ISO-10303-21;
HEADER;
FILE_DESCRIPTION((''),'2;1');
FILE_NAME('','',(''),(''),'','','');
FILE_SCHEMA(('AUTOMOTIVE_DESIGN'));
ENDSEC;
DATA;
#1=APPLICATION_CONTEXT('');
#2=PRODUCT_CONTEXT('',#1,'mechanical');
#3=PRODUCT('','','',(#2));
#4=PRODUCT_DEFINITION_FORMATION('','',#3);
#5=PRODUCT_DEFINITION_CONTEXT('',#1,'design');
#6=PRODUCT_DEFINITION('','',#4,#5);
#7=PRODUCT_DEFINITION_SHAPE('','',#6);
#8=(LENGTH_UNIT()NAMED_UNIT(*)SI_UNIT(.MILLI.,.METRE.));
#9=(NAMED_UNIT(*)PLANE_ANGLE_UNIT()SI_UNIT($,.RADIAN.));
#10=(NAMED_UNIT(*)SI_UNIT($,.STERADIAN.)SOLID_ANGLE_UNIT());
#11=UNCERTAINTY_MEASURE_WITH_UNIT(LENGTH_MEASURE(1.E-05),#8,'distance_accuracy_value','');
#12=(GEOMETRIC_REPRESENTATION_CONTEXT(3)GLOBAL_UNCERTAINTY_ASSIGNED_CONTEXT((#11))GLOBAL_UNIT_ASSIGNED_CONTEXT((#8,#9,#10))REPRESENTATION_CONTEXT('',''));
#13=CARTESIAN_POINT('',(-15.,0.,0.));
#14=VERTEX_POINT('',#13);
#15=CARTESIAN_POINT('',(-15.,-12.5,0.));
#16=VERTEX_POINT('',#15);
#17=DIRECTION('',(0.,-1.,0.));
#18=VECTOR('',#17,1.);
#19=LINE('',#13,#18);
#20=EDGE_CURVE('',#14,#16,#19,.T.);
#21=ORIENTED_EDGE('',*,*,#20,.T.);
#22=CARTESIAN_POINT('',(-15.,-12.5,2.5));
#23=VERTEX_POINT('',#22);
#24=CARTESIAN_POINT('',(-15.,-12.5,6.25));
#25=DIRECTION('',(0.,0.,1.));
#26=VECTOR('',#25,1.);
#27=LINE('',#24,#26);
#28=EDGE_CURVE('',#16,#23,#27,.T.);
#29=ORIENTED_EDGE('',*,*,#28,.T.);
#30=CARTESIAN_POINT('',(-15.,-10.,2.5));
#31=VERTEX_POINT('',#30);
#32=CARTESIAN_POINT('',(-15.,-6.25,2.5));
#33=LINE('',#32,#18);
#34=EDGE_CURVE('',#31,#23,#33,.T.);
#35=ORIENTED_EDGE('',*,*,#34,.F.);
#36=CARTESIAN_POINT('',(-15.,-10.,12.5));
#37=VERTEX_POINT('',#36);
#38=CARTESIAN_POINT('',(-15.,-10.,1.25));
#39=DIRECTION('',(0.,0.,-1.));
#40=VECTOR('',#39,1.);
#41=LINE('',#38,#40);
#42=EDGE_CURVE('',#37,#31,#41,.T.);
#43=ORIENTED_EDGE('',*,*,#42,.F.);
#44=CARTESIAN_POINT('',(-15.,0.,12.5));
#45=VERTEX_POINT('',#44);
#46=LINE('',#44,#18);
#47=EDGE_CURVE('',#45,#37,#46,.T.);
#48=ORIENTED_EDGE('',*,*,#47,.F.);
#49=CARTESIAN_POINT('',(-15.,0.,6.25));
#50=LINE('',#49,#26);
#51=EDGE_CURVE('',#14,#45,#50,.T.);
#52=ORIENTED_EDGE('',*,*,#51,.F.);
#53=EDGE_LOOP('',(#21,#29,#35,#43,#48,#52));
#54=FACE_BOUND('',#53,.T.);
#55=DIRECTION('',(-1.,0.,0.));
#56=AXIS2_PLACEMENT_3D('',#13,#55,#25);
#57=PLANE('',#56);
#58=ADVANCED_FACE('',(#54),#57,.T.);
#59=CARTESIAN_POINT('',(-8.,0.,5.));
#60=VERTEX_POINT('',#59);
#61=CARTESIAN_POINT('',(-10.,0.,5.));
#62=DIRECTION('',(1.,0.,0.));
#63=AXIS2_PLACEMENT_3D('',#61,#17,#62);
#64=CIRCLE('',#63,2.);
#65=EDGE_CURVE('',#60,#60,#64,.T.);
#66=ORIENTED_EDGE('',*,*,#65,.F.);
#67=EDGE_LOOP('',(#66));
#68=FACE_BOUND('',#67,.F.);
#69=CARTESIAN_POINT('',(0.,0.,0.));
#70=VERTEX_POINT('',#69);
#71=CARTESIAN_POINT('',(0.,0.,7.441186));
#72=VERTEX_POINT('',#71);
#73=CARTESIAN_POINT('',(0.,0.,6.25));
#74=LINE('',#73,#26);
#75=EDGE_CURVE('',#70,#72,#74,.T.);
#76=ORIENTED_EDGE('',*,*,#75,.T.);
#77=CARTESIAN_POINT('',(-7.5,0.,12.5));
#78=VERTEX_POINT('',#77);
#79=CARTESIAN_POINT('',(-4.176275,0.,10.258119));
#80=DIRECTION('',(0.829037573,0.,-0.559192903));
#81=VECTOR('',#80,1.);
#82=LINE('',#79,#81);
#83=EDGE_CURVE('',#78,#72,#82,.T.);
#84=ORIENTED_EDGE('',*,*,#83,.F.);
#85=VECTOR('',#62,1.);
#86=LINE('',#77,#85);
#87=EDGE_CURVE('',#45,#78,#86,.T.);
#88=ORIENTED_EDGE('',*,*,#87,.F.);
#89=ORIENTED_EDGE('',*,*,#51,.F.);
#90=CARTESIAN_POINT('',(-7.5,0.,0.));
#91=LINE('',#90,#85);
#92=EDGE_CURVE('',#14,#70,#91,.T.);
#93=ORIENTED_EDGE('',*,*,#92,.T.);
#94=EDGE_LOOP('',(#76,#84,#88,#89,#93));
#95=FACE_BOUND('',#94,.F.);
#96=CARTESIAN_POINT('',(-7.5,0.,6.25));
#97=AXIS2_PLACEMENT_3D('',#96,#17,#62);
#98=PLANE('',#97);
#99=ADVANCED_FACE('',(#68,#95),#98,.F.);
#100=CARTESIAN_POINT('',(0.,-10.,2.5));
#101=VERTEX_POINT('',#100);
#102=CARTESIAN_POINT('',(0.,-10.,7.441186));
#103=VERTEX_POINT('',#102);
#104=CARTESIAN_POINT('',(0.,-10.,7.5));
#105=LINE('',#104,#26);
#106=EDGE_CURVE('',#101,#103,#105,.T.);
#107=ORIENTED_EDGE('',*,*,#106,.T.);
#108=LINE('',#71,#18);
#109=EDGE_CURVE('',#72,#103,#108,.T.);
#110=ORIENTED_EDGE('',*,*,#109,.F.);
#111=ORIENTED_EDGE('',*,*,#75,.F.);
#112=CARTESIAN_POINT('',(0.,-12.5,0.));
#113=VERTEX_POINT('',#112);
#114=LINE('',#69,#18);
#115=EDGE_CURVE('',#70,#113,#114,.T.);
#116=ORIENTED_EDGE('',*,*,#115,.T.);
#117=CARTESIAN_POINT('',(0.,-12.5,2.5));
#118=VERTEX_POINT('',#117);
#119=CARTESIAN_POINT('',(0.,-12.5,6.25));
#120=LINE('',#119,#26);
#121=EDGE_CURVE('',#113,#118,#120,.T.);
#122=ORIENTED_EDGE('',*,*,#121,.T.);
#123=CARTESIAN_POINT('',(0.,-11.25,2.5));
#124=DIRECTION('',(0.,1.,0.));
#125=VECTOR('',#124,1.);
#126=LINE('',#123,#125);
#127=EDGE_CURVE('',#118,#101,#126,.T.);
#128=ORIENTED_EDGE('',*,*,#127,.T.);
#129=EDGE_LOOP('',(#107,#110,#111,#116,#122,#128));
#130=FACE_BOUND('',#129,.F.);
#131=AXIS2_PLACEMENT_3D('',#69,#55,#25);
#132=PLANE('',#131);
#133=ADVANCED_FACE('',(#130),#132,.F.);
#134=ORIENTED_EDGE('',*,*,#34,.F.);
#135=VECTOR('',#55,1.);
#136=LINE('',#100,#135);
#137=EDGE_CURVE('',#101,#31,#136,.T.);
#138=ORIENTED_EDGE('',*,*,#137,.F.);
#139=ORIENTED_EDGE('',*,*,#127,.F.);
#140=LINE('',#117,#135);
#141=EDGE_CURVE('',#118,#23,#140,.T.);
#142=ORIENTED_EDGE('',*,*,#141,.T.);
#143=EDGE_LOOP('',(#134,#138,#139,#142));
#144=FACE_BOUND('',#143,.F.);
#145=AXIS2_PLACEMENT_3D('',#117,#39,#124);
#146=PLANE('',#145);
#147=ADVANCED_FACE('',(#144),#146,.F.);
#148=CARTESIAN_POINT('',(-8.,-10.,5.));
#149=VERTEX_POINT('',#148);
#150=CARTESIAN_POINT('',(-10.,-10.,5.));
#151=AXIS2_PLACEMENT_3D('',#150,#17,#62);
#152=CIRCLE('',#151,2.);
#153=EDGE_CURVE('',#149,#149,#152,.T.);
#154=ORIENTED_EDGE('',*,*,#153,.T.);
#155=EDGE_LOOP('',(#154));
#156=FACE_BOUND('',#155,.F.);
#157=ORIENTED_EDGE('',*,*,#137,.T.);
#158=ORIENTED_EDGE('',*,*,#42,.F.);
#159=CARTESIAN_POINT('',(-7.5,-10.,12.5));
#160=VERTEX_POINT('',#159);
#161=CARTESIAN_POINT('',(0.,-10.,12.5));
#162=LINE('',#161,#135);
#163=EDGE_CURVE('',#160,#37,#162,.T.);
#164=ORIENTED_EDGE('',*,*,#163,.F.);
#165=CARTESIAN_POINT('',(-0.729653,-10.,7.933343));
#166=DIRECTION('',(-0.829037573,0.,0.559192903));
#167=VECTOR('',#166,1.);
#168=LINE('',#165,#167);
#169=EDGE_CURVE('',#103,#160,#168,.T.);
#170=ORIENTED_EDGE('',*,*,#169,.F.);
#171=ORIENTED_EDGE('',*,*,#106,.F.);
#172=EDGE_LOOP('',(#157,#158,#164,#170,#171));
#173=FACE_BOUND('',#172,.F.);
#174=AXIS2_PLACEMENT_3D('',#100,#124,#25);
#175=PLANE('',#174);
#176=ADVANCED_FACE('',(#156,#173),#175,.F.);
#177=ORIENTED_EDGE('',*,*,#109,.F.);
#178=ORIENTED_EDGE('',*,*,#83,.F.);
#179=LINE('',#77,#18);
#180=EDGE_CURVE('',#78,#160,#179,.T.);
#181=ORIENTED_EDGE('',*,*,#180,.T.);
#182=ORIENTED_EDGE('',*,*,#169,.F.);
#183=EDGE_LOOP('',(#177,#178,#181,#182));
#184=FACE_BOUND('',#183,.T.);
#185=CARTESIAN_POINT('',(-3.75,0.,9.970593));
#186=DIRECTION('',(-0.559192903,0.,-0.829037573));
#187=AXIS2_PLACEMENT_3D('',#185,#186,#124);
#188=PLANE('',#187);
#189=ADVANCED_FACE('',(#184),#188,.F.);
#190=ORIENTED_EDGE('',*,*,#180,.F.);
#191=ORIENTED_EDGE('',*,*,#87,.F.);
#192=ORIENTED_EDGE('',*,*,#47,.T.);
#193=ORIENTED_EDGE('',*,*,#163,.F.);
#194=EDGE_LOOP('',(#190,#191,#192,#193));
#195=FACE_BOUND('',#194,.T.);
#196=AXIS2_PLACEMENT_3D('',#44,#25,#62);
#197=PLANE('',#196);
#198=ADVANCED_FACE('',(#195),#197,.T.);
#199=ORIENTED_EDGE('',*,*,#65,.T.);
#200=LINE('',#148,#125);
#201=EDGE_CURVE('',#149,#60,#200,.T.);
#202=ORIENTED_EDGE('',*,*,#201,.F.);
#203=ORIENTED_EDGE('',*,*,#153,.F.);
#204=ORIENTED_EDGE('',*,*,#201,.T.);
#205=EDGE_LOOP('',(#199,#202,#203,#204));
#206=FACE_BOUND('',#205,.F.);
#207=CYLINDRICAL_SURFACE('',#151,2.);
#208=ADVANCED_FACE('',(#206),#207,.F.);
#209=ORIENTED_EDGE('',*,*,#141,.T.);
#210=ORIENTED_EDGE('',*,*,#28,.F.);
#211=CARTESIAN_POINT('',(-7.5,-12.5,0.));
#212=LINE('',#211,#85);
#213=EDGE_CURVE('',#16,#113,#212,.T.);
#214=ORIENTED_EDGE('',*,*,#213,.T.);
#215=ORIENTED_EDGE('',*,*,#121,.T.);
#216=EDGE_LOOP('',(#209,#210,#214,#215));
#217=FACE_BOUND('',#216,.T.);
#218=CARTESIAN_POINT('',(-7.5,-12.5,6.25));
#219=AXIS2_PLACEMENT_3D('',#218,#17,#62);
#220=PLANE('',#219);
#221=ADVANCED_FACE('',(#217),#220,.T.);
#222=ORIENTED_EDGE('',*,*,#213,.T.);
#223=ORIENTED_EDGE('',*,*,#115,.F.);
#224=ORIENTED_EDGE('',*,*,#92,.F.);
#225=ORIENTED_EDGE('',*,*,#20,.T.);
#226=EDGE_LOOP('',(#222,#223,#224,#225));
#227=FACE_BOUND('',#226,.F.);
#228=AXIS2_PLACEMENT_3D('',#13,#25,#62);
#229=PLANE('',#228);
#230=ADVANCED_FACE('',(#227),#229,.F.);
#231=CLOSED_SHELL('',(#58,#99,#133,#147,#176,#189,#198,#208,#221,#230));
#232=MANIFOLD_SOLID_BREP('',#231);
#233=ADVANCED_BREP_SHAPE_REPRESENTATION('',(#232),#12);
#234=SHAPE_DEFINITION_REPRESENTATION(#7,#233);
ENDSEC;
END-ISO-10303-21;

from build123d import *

# Parameters (mm, degrees)
F0_W     = 15
F0_H     = 12.5
F1_DEPTH = 12.5
F2_SIZE2 = 5.0588138763
F2_SIZE  = 7.5
F3_W     = 2.5
F3_H     = 10
F4_DEPTH = 15.001
F5_R     = 2
F6_DEPTH = 10.001


with BuildPart() as f1:
    # F0 (on Front) → F1 (new body)
    with BuildSketch(Plane.XZ):
        with Locations((-7.5, 6.25)):
            Rectangle(F0_W, F0_H)
    extrude(amount=F1_DEPTH)

    # F2
    f2_edges = [f1.edges().sort_by_distance(p)[0] for p in [
        (0, -6.25, 12.5),
    ]]
    f2_side = f1.faces().sort_by_distance((-7.5, -6.25, 12.5))[0]
    chamfer(f2_edges, length=F2_SIZE, length2=F2_SIZE2, reference=f2_side)

    # F3 (on face) → F4 (cut, through all)
    with BuildSketch(Plane.YZ):
        with Locations((-11.25, 7.5)):
            Rectangle(F3_W, F3_H)
    extrude(amount=-F4_DEPTH, mode=Mode.SUBTRACT)

    # F5 (on face) → F6 (cut, through all)
    with BuildSketch(Plane.XZ.offset(10)):
        with Locations((-10, 5)):
            Circle(F5_R)
    extrude(amount=-F6_DEPTH, mode=Mode.SUBTRACT)


solid = f1.part
